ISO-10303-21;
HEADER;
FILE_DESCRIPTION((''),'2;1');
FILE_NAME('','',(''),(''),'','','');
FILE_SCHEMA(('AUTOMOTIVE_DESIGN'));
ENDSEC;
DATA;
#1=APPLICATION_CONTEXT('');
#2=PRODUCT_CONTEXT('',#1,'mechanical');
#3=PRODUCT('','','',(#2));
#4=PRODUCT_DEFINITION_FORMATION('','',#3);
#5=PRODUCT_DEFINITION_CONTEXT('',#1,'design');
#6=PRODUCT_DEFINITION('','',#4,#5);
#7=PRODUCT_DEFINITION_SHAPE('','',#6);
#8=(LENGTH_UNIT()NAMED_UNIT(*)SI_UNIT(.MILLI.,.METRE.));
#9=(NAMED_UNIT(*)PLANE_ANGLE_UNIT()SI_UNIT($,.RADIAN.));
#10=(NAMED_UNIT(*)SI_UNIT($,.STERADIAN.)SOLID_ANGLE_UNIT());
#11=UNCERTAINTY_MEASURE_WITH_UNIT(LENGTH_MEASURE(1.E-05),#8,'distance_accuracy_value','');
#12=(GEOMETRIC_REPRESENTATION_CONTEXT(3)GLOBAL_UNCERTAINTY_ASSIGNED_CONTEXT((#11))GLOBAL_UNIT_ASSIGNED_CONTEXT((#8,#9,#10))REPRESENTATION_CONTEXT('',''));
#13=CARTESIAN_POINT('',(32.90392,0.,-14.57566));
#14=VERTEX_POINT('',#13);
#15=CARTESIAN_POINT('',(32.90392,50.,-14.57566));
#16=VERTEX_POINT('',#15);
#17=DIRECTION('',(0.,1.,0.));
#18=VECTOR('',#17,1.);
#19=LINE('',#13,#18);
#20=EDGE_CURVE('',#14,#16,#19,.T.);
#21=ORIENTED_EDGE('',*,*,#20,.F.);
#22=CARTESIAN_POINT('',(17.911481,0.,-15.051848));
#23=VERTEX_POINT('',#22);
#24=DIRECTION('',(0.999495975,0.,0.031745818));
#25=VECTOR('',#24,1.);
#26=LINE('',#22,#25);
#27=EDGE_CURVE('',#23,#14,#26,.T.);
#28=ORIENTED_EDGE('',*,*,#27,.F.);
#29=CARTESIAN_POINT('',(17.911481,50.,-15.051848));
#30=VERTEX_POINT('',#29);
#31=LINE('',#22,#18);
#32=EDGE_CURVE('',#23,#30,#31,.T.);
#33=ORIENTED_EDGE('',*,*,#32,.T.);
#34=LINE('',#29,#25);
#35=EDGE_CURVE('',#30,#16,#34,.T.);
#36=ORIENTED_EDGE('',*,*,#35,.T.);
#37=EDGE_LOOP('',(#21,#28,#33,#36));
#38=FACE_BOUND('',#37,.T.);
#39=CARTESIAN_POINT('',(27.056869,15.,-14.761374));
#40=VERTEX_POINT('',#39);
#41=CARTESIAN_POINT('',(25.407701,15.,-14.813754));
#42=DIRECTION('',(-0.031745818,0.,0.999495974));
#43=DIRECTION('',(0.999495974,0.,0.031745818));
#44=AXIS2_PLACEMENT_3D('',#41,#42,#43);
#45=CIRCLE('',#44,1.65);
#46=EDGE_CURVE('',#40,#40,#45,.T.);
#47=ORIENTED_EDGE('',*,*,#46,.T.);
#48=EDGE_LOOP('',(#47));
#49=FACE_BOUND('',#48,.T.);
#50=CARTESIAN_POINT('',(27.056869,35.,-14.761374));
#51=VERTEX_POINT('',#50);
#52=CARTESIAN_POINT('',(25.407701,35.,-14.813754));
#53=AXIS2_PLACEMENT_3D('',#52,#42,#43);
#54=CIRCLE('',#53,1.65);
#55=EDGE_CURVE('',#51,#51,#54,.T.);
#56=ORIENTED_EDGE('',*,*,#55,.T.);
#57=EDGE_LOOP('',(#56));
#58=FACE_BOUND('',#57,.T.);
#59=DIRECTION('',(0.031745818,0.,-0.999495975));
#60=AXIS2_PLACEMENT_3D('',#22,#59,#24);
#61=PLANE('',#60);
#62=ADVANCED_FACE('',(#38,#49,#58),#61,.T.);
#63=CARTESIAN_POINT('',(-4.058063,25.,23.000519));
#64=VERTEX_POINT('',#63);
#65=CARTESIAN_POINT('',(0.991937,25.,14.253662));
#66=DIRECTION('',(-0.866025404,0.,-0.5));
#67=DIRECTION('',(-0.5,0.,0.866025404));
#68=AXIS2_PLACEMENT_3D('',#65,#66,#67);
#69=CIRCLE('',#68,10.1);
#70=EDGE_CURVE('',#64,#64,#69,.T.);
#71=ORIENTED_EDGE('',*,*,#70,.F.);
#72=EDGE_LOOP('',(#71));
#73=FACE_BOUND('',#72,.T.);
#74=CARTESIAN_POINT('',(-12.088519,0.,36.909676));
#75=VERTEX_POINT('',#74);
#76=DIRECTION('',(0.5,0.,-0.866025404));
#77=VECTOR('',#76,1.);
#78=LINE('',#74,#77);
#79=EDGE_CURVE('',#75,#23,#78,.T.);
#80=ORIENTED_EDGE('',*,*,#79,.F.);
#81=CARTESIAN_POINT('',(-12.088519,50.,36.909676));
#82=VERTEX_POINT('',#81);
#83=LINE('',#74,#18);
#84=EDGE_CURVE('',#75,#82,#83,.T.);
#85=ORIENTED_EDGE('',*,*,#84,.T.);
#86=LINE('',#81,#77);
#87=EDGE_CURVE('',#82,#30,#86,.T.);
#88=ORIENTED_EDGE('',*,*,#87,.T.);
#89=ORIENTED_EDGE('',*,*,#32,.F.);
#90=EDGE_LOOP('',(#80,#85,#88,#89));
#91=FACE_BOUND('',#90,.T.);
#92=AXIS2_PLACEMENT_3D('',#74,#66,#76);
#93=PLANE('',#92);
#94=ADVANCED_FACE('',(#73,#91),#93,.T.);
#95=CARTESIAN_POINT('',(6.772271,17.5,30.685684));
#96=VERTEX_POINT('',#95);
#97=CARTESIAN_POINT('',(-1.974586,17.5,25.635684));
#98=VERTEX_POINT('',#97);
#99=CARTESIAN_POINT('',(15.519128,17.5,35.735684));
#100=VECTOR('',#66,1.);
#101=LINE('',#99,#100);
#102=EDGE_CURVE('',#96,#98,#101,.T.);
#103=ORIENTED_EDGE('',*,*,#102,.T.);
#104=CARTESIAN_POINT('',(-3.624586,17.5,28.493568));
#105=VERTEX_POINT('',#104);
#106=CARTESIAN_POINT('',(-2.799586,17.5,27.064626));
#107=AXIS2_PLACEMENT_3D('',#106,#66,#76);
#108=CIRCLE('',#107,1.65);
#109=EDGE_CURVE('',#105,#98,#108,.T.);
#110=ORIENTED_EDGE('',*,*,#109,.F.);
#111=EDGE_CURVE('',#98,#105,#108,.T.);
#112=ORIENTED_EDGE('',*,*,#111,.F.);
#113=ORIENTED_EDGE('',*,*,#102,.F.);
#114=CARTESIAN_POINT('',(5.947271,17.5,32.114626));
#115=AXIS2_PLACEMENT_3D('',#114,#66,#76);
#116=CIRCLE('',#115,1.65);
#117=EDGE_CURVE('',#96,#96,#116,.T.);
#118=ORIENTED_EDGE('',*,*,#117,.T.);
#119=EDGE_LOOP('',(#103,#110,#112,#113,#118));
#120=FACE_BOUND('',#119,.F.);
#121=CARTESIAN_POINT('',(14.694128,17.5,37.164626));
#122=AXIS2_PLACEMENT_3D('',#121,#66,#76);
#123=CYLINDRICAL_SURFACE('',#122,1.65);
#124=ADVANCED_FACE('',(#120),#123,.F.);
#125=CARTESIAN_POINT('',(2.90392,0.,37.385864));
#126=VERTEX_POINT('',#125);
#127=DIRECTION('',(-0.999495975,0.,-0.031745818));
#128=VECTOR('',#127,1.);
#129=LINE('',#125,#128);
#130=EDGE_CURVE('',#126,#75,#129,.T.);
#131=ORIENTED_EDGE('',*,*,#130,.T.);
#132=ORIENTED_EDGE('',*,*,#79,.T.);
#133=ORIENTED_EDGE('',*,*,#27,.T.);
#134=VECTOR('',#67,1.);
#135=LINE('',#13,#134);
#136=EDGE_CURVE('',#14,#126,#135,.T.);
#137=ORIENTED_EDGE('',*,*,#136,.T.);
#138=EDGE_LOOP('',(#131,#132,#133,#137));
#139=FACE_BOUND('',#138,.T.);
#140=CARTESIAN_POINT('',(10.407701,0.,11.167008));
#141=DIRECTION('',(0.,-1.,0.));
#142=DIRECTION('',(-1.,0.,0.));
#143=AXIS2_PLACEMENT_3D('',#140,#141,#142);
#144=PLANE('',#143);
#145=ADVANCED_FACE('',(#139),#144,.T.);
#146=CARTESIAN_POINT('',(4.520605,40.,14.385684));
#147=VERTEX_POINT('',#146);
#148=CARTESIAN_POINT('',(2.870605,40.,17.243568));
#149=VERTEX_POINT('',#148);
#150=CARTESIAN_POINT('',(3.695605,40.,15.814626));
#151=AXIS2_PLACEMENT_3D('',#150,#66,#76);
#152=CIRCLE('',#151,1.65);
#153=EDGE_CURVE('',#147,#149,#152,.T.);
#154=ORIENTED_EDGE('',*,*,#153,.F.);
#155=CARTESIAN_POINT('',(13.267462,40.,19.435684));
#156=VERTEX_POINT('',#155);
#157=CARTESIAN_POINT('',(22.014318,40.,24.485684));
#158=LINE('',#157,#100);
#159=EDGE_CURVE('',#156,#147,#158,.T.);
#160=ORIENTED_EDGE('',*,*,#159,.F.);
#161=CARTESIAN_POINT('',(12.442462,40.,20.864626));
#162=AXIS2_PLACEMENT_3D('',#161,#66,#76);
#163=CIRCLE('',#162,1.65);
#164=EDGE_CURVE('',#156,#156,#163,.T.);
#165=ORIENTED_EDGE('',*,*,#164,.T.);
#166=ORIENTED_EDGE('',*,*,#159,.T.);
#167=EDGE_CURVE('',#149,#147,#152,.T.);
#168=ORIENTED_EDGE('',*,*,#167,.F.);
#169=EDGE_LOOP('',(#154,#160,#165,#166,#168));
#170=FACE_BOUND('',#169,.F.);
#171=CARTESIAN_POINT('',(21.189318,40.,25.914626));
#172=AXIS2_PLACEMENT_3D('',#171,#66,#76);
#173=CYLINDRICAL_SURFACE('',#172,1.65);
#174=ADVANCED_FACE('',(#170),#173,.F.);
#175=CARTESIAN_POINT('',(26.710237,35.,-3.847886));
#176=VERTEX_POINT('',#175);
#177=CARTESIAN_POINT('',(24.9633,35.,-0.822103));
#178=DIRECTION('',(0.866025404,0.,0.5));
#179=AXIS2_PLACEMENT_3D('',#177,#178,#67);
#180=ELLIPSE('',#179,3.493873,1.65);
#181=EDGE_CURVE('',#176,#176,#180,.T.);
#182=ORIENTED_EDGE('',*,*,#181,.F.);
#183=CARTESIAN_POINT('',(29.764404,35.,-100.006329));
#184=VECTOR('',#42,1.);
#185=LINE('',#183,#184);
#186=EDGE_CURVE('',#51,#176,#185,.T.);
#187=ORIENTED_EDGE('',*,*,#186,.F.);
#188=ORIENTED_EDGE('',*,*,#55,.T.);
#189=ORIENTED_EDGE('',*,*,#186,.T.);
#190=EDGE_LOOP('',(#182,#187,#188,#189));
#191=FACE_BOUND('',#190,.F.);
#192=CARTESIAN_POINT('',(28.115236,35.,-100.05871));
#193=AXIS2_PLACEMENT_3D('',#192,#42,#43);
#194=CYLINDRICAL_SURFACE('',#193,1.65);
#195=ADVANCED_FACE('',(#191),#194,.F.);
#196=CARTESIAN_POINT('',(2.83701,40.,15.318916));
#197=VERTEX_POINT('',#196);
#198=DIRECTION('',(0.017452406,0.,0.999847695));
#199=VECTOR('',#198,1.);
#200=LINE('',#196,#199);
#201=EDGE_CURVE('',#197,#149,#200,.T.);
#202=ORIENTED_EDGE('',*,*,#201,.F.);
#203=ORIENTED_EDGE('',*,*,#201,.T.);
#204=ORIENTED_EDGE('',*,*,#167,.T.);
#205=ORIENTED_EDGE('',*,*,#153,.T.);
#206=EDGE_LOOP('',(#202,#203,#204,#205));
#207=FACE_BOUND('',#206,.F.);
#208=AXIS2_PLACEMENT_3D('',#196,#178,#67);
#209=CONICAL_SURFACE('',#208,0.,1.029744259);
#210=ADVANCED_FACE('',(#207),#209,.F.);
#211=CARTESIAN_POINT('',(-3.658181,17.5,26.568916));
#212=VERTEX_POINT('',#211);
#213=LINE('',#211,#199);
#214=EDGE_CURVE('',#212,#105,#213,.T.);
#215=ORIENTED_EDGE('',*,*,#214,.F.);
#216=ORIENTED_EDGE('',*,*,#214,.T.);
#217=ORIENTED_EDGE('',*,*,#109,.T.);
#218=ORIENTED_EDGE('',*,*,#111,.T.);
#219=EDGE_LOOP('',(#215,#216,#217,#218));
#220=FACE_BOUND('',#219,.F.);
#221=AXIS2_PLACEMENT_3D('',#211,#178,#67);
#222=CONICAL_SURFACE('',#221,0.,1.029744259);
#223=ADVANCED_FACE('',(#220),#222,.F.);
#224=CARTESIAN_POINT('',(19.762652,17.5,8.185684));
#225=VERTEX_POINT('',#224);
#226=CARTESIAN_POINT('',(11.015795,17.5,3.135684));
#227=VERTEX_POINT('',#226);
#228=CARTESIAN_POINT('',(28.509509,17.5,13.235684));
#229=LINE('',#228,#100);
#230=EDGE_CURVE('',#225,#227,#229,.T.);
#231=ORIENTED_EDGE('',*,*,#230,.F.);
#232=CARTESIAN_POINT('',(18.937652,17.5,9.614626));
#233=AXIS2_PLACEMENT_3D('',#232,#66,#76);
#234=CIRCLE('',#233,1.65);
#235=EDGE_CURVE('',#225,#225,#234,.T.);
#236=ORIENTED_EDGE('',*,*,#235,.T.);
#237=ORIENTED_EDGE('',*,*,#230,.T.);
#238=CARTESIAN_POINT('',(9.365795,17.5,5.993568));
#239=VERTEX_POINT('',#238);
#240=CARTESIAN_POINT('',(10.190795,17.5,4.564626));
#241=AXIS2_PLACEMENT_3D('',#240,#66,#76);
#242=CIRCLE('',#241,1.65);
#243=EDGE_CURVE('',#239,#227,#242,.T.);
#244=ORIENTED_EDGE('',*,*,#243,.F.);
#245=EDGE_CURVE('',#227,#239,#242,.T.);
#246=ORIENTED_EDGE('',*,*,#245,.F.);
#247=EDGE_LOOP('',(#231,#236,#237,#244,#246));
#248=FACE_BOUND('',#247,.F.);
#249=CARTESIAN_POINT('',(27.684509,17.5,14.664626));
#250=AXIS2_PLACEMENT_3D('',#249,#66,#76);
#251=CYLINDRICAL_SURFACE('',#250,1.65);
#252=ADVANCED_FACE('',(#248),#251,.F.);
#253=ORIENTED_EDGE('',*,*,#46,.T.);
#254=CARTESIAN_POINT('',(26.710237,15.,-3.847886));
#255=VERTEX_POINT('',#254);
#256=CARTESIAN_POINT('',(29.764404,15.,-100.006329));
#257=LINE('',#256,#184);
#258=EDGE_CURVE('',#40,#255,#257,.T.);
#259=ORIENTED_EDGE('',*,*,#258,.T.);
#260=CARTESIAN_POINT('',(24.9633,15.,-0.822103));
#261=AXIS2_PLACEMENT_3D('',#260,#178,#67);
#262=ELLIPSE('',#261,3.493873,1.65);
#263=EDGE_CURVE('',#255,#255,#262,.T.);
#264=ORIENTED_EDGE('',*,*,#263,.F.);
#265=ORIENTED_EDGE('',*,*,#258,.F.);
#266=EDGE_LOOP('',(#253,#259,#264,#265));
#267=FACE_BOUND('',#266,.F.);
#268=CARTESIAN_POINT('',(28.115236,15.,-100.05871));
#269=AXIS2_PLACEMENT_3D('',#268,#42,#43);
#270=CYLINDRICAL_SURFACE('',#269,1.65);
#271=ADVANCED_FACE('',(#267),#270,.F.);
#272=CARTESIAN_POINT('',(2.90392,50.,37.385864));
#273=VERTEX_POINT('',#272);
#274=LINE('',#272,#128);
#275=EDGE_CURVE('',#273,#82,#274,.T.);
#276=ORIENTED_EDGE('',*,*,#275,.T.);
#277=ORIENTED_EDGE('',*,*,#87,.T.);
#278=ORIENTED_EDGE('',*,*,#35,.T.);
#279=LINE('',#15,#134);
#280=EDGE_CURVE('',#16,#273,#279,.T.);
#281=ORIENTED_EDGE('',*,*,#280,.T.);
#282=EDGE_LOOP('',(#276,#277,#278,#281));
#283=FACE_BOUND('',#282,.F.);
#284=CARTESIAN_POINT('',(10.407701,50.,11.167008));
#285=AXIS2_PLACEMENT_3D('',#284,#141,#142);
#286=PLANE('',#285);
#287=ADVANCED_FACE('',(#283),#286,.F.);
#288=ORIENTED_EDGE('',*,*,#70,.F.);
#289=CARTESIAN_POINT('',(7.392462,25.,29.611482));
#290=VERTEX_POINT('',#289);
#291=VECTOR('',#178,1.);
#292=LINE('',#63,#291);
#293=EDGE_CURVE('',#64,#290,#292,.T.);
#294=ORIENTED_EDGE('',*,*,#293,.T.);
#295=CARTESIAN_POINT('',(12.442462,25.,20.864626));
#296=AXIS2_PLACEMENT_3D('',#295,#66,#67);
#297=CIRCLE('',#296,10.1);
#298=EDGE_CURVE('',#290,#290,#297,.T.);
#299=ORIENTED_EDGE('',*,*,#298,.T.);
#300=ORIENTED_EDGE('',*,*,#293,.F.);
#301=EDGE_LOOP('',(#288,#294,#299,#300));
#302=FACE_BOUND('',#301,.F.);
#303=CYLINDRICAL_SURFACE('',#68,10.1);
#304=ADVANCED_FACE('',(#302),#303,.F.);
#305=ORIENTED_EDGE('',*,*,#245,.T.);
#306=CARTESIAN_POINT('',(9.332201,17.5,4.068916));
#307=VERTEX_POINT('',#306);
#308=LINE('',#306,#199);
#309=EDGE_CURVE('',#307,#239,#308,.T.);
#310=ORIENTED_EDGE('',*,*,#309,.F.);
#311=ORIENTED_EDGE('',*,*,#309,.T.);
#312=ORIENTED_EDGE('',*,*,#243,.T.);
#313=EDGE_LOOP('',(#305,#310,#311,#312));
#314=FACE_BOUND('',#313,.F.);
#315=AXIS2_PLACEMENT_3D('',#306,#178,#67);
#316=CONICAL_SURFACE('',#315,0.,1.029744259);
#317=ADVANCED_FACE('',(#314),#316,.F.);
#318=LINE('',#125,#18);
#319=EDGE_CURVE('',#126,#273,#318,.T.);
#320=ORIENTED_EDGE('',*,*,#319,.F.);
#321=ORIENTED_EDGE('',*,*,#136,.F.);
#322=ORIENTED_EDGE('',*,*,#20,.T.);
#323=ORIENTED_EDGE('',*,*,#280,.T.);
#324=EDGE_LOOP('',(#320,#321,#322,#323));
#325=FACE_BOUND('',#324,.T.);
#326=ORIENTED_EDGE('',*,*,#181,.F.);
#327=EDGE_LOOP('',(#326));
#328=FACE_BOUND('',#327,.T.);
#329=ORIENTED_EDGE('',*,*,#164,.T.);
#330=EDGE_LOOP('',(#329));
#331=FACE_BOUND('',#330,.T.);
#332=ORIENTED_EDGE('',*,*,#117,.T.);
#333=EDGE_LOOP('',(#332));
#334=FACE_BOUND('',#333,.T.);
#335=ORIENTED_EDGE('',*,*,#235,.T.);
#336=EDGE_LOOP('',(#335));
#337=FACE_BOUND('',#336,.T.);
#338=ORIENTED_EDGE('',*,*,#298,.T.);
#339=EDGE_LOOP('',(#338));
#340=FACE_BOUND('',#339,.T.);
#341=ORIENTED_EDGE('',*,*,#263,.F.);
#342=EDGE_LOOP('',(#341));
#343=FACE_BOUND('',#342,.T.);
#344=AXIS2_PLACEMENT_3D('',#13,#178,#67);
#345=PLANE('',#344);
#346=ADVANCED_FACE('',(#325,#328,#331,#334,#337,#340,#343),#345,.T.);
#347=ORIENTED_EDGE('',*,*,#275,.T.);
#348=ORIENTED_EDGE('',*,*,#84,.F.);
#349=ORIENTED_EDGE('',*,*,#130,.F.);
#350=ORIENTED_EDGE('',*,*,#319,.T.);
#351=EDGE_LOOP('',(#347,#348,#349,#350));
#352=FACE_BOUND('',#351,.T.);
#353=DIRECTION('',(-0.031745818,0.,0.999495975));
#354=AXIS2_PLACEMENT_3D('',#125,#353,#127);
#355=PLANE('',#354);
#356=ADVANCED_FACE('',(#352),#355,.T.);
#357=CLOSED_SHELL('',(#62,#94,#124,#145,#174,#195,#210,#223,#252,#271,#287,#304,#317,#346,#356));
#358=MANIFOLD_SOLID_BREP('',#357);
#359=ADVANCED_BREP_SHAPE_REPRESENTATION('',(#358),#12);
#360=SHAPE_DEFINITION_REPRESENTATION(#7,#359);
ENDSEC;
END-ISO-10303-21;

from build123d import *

# Parameters (mm, degrees)
EXTRUDE_1_DEPTH        = 50
HOLE_WIZARD_M4_1_D     = 3.3
HOLE_WIZARD_M4_1_DEPTH = 10.1
HOLE_WIZARD_M4_1_TIP   = 0.991420021
SKETCH_2_R             = 10.1
CUT_EXTRUDE_1_DEPTH    = 50
HOLE_WIZARD_M4_2_D     = 3.3


with BuildPart() as part:
    # 草图1 → 凸台-拉伸1 (new body)
    with BuildSketch(Plane(origin=(0, 0, 0), x_dir=(1, 0, 0), z_dir=(0, 1, 0))):
        Polygon((-12.088519272, -36.909676467), (17.911480728, 15.05184776), (32.903920346, 14.575660494), (2.903920346, -37.385863733), align=None)
    extrude(amount=EXTRUDE_1_DEPTH)

    # M4 螺纹孔1
    with Locations(Plane(origin=(10.045844782, 0, 25.015687746), x_dir=(-0.5, 0, 0.866025404), z_dir=(0.866025404, 0, 0.5))):
        with Locations((-17.783614548, -17.5), (-4.793233491, -40), (8.197147566, -17.5)):
            Hole(HOLE_WIZARD_M4_1_D / 2, depth=HOLE_WIZARD_M4_1_DEPTH)
            with Locations((0, 0, -(HOLE_WIZARD_M4_1_DEPTH + HOLE_WIZARD_M4_1_TIP / 2))):  # 118° drill point
                Cone(0, HOLE_WIZARD_M4_1_D / 2, HOLE_WIZARD_M4_1_TIP, mode=Mode.SUBTRACT)

    # 草图2 → 切除-拉伸1 (cut)
    with BuildSketch(Plane(origin=(-1.404680066, 0, 18.404724143), x_dir=(-0.5, 0, 0.866025404), z_dir=(-0.866025404, 0, -0.5))):
        with Locations((-4.793233491, 25)):
            Circle(SKETCH_2_R)
    extrude(amount=-CUT_EXTRUDE_1_DEPTH, mode=Mode.SUBTRACT)

    # M4 螺纹孔2 (through all)
    with Locations(Plane(origin=(0.495643511, 0, -15.60500656), x_dir=(-0.999495975, 0, -0.031745818), z_dir=(0.031745818, 0, -0.999495975))):
        with Locations((-24.92461967, 35), (-24.92461967, 15)):
            Hole(HOLE_WIZARD_M4_2_D / 2)


solid = part.part
